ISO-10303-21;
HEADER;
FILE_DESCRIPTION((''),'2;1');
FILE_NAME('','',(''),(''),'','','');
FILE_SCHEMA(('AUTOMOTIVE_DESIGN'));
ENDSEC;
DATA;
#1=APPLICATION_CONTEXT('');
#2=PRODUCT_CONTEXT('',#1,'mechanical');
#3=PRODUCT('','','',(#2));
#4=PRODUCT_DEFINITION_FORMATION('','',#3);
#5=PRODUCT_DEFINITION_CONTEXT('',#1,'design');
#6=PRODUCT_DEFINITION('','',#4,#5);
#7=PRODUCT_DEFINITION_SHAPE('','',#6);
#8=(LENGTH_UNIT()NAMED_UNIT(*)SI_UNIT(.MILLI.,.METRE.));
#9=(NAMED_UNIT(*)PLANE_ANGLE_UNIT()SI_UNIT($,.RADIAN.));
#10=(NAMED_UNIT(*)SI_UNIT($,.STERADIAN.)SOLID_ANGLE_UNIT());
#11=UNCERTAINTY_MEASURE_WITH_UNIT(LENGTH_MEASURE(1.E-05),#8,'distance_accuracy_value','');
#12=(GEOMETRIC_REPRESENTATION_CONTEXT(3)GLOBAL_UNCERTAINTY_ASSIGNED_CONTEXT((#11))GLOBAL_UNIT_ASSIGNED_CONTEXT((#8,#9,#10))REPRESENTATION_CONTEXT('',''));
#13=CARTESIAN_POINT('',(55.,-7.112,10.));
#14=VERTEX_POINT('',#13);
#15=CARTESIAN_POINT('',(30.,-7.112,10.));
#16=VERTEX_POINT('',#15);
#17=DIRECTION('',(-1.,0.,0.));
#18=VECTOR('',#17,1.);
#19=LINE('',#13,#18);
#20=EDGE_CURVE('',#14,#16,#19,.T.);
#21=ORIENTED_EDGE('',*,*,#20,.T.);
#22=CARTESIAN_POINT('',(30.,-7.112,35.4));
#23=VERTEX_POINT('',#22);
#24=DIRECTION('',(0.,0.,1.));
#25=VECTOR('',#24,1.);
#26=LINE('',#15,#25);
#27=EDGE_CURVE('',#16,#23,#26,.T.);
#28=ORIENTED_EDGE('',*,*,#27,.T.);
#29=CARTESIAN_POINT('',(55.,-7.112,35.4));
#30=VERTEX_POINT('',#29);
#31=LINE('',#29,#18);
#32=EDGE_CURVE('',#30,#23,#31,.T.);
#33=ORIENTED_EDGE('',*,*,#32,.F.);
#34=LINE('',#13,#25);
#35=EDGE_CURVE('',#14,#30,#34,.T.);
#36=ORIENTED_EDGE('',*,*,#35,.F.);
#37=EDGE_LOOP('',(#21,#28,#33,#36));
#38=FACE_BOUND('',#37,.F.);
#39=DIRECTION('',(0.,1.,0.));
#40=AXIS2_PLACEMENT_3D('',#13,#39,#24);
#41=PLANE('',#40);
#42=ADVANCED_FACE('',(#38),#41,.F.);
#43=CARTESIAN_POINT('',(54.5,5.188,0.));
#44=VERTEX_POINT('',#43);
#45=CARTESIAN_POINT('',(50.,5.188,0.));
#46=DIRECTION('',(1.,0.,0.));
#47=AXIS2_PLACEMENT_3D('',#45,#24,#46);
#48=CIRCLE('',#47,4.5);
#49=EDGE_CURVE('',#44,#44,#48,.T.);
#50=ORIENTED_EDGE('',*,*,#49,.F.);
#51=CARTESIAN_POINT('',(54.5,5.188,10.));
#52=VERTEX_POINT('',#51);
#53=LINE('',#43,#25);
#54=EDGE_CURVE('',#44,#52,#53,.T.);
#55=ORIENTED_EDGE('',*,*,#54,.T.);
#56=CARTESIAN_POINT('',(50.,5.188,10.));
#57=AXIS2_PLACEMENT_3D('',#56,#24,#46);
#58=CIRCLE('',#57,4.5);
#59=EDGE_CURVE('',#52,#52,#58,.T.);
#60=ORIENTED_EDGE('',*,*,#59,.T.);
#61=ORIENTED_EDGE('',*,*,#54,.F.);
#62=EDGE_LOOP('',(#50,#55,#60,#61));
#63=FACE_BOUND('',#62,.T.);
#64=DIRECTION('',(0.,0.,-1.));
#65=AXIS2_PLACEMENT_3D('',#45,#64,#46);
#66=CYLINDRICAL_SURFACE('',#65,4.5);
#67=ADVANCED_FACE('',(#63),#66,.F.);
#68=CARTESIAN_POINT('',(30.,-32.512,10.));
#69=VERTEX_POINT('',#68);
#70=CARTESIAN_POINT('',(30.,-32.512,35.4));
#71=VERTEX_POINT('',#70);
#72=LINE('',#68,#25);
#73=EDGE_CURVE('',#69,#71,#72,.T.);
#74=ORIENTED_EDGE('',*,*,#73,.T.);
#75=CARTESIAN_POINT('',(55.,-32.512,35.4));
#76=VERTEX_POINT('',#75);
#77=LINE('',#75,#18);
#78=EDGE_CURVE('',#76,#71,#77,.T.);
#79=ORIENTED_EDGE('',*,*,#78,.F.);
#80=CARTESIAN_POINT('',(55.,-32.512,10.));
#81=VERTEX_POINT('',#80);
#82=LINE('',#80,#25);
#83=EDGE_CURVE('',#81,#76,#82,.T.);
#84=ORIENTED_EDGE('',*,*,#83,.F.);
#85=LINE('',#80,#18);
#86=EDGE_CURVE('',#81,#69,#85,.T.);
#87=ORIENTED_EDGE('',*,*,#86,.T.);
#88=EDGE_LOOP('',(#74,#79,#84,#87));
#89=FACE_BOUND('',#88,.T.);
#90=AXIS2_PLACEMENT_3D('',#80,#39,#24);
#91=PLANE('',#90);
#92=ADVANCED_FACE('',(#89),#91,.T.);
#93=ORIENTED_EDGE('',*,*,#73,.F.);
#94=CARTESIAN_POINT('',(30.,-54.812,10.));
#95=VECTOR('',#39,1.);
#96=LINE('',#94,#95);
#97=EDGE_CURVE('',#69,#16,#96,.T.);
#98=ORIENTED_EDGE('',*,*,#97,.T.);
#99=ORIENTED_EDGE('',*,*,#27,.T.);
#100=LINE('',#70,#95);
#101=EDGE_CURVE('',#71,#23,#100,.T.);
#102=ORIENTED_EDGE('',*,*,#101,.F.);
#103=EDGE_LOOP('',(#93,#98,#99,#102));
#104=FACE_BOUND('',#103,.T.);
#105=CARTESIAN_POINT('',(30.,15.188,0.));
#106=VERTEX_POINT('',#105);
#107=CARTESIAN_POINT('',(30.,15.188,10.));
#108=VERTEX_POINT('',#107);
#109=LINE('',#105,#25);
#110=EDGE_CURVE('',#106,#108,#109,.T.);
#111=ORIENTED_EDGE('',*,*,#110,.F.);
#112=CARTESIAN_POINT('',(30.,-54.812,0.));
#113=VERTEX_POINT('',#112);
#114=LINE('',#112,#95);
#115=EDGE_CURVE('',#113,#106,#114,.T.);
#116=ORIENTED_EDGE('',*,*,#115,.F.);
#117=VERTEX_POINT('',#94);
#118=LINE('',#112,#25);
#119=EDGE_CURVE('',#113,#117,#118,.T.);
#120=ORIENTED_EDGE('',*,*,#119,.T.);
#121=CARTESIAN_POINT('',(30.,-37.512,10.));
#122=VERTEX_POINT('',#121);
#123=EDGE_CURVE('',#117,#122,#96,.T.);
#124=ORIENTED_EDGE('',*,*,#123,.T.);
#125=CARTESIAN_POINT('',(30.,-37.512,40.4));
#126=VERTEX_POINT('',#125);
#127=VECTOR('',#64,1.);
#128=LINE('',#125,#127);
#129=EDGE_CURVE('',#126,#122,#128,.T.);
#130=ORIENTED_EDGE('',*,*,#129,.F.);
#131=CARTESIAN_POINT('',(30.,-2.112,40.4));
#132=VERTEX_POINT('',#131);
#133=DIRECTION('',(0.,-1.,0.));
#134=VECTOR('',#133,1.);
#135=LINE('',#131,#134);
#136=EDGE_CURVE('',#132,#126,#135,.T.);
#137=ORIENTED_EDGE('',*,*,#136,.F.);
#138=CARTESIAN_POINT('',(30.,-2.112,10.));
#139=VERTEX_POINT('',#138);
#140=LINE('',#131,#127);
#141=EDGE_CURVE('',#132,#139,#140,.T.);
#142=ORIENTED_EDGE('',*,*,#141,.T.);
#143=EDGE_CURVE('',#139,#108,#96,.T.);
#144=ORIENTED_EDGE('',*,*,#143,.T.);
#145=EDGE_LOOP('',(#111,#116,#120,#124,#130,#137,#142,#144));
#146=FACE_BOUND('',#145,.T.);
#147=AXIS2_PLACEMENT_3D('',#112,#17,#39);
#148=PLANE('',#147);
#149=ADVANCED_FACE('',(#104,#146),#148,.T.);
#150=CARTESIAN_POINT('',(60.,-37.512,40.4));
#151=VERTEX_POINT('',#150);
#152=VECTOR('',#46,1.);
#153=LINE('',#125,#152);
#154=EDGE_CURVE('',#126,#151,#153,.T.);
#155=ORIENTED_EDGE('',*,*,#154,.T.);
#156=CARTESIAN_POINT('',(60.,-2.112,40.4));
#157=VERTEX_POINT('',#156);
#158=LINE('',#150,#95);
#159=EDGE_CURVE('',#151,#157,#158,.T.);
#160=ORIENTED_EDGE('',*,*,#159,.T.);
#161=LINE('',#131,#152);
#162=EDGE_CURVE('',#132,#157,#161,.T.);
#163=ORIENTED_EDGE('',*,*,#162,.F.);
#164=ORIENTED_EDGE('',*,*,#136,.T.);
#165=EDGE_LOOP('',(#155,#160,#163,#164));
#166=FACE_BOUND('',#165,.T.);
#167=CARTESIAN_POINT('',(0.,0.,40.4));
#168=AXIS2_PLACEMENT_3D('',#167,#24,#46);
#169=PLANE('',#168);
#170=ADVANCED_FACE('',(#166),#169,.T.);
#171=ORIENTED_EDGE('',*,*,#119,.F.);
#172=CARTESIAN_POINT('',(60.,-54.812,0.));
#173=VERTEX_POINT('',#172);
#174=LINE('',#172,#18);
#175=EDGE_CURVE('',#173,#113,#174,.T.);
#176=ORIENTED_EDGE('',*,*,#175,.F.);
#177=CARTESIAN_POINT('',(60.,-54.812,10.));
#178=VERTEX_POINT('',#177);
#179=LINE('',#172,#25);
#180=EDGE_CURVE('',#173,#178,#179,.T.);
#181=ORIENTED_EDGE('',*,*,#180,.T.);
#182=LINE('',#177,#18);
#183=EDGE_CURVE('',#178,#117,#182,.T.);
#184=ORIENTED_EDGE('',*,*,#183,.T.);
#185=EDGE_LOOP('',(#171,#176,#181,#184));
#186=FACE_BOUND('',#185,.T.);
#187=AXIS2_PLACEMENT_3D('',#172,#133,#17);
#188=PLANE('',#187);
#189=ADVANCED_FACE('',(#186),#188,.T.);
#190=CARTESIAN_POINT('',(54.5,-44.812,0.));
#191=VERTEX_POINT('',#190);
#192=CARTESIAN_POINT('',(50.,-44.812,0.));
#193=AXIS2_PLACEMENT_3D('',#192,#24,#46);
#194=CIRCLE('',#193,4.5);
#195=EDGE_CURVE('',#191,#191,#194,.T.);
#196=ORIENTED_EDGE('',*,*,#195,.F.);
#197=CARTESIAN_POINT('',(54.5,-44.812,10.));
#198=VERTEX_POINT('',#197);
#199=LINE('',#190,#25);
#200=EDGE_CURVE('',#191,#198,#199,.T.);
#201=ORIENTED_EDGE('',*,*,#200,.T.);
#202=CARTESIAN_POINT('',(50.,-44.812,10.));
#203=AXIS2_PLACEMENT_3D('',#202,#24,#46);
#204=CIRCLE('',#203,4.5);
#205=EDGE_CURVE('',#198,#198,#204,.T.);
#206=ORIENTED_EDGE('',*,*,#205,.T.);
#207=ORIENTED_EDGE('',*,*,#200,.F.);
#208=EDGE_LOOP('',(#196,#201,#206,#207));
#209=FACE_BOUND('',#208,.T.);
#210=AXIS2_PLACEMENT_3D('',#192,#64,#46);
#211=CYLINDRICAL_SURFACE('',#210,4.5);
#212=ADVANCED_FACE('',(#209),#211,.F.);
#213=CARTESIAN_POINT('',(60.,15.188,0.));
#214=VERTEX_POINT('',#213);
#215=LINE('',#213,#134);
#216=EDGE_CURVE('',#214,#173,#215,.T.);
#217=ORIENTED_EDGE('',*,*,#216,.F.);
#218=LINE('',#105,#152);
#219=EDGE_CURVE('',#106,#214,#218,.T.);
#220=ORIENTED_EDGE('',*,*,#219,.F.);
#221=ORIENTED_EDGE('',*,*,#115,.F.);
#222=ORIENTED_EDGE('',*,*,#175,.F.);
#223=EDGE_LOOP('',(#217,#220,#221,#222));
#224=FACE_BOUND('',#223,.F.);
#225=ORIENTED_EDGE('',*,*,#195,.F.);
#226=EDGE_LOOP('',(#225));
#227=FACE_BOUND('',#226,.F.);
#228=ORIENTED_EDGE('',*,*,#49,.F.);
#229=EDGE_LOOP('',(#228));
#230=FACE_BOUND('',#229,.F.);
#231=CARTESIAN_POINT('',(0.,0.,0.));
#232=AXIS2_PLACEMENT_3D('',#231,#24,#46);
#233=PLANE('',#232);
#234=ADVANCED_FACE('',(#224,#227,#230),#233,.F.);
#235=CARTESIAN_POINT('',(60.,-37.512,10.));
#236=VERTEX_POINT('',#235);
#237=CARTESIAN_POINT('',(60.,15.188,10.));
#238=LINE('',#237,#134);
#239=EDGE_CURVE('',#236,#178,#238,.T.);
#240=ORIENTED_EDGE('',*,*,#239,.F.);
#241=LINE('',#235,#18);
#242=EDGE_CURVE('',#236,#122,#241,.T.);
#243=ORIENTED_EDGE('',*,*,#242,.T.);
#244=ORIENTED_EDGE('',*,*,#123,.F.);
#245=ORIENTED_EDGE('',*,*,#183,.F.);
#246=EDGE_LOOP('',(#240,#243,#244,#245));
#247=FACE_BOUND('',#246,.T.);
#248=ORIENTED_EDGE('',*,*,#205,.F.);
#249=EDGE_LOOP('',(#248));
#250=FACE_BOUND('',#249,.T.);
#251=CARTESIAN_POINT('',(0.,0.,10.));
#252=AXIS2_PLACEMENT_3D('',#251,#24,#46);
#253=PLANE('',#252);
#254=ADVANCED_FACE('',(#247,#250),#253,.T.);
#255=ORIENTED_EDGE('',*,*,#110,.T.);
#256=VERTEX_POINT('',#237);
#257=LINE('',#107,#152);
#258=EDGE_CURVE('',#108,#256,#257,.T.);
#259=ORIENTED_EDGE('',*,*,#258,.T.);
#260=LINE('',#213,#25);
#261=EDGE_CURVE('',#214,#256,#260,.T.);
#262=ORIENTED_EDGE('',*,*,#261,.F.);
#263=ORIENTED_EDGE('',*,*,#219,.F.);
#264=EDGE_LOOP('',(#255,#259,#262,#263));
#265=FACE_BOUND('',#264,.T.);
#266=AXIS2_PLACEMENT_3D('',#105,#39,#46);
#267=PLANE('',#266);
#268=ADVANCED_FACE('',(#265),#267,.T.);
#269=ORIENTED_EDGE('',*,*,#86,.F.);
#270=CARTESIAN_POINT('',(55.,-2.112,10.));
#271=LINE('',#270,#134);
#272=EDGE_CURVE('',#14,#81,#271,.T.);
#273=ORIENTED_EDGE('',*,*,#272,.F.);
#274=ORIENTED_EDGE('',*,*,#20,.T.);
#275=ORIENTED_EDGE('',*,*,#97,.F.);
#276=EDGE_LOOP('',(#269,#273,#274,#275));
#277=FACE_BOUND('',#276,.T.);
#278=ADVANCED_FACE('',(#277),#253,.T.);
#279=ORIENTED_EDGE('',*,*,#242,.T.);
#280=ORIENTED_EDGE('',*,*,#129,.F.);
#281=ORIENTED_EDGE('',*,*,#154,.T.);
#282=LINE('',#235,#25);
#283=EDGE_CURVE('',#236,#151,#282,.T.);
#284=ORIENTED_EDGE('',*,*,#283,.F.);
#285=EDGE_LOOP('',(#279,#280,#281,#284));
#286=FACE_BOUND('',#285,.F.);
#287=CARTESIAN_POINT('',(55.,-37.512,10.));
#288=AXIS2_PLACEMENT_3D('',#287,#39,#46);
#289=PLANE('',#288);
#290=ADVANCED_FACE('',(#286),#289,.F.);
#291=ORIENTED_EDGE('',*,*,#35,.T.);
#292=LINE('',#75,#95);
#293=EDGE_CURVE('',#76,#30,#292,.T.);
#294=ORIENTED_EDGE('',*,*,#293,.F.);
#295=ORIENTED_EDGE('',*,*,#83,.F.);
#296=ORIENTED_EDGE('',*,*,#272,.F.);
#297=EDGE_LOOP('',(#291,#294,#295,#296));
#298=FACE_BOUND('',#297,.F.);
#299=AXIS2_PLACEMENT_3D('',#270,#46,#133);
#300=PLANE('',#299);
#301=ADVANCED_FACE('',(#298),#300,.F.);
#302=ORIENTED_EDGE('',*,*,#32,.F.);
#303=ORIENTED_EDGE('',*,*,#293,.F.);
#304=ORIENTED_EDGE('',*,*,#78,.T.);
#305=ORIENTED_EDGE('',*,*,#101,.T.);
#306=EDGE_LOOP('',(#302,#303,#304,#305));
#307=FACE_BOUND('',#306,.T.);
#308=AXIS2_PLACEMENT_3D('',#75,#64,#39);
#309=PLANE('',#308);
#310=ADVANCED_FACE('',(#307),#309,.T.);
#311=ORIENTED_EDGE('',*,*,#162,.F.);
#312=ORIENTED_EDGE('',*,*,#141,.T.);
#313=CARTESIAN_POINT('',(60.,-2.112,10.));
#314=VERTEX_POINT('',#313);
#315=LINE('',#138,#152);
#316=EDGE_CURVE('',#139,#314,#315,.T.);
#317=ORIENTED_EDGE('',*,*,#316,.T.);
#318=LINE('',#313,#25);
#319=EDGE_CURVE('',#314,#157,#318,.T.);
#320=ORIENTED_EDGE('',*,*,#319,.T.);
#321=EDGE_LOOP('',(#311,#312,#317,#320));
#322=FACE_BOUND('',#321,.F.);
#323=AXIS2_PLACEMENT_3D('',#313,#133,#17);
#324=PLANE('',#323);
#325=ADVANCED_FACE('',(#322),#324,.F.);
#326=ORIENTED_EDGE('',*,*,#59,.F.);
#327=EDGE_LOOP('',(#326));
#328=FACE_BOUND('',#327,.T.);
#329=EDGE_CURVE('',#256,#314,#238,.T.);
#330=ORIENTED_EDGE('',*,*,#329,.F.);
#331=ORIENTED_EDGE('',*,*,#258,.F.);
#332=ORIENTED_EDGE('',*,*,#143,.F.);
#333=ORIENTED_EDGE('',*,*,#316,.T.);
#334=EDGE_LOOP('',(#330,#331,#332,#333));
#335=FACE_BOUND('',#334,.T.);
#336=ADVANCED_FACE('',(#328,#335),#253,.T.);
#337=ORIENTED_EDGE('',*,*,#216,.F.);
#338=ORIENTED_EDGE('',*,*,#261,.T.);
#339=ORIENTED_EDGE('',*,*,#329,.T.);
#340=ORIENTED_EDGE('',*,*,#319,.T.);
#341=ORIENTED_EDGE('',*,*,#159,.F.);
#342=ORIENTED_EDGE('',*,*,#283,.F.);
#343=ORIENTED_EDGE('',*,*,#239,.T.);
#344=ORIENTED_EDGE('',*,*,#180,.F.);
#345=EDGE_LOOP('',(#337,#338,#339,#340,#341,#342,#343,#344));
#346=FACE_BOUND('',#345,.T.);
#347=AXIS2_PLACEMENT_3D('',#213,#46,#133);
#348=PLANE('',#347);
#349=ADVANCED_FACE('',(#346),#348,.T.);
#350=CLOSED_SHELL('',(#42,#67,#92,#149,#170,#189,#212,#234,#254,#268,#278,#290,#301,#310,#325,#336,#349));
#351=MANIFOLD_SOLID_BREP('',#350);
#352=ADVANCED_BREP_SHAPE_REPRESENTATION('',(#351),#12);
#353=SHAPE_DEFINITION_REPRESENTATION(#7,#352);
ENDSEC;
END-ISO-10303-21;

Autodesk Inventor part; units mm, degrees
ref_plane "YZ Plane" through (0, 0, 0) normal (1, 0, 0) x (0, 1, 0)
ref_plane "XZ Plane" through (0, 0, 0) normal (0, 1, 0) x (-1, 0, 0)
ref_plane "XY Plane" through (0, 0, 0) normal (0, 0, 1) x (1, 0, 0)
sketch "Sketch1" plane through (0, 0, 0) normal (0, 0, 1) x (1, 0, 0)
  circle A0 centre (-50, 5.188) radius 4.5 projected
  circle A1 centre (-50, -44.812) radius 4.5 projected
  circle A2 centre (50, 5.188) radius 4.5 projected
  circle A3 centre (50, -44.812) radius 4.5 projected
  line L0 (30, 15.188) -> (60, 15.188)
  line L1 (60, 15.188) -> (60, -54.812)
  line L2 (60, -54.812) -> (30, -54.812)
  line L3 (30, -54.812) -> (30, 15.188)
  circle A4 centre (50, 5.188) radius 4
  circle A5 centre (50, -44.812) radius 4
  point P0 (0, 0)
  dimension "d1" = 30
  dimension "d2" = 60
  dimension "d28" = 10
  dimension "d29" = 10
extrude "Extrusion1" add sketch "Sketch1" along normal blind 10 contours L0 L1 L2 L3
sketch "Sketch2" plane through (0, 0, 10) normal (0, 0, 1) x (1, 0, 0)
  line L0 (60, -2.112) -> (55, -2.112)
  line L1 (55, -2.112) -> (55, -37.512)
  line L2 (55, -37.512) -> (60, -37.512)
  line L3 (60, -37.512) -> (60, -2.112)
  line L4 (60, 15.188) -> (30, 15.188) projected
  line L5 (30, -54.812) -> (60, -54.812) projected
  line L6 (60, -54.812) -> (60, 15.188) projected
  point P0 (0, 0)
  dimension "d7" = 5
  dimension "d26" = 35.4
  dimension "d27" = 17.3
extrude "Extrusion2" add sketch "Sketch2" along normal blind 30.4
sketch "Sketch3" plane through (55, -37.512, 10) normal (-1, 0, 0) x (0, 0, 1)
  line L0 (30.4, 35.4) -> (0, 35.4)
  line L1 (0, 35.4) -> (0, 30.4)
  line L2 (0, 30.4) -> (30.4, 30.4)
  line L3 (30.4, 30.4) -> (30.4, 35.4)
  line L4 (30.4, 5) -> (25.4, 5)
  line L5 (25.4, 5) -> (25.4, 30.4)
  line L6 (25.4, 30.4) -> (30.4, 30.4)
  line L7 (30.4, 30.4) -> (30.4, 5)
  line L8 (30.4, 0) -> (0, 0)
  line L9 (0, 0) -> (0, 5)
  line L10 (0, 5) -> (30.4, 5)
  line L11 (30.4, 5) -> (30.4, 0)
  line L12 (0, 52.7) -> (0, -17.3) projected
  line L13 (30.4, 35.4) -> (30.4, 0) projected
  line L14 (0, 35.4) -> (30.4, 35.4) projected
  dimension "d21" = 25.4
  dimension "d22" = 25.4
  dimension "d23" = 5
  dimension "d24" = 5
extrude "Extrusion3" add sketch "Sketch3" along normal up to surface (25 mm away) contours L3 L2 L1 L0 | L7 L4 L5 L2 | L11 L8 L9 L10 L4
properties part number "RailMount" material "PC/ABS Plastic"
